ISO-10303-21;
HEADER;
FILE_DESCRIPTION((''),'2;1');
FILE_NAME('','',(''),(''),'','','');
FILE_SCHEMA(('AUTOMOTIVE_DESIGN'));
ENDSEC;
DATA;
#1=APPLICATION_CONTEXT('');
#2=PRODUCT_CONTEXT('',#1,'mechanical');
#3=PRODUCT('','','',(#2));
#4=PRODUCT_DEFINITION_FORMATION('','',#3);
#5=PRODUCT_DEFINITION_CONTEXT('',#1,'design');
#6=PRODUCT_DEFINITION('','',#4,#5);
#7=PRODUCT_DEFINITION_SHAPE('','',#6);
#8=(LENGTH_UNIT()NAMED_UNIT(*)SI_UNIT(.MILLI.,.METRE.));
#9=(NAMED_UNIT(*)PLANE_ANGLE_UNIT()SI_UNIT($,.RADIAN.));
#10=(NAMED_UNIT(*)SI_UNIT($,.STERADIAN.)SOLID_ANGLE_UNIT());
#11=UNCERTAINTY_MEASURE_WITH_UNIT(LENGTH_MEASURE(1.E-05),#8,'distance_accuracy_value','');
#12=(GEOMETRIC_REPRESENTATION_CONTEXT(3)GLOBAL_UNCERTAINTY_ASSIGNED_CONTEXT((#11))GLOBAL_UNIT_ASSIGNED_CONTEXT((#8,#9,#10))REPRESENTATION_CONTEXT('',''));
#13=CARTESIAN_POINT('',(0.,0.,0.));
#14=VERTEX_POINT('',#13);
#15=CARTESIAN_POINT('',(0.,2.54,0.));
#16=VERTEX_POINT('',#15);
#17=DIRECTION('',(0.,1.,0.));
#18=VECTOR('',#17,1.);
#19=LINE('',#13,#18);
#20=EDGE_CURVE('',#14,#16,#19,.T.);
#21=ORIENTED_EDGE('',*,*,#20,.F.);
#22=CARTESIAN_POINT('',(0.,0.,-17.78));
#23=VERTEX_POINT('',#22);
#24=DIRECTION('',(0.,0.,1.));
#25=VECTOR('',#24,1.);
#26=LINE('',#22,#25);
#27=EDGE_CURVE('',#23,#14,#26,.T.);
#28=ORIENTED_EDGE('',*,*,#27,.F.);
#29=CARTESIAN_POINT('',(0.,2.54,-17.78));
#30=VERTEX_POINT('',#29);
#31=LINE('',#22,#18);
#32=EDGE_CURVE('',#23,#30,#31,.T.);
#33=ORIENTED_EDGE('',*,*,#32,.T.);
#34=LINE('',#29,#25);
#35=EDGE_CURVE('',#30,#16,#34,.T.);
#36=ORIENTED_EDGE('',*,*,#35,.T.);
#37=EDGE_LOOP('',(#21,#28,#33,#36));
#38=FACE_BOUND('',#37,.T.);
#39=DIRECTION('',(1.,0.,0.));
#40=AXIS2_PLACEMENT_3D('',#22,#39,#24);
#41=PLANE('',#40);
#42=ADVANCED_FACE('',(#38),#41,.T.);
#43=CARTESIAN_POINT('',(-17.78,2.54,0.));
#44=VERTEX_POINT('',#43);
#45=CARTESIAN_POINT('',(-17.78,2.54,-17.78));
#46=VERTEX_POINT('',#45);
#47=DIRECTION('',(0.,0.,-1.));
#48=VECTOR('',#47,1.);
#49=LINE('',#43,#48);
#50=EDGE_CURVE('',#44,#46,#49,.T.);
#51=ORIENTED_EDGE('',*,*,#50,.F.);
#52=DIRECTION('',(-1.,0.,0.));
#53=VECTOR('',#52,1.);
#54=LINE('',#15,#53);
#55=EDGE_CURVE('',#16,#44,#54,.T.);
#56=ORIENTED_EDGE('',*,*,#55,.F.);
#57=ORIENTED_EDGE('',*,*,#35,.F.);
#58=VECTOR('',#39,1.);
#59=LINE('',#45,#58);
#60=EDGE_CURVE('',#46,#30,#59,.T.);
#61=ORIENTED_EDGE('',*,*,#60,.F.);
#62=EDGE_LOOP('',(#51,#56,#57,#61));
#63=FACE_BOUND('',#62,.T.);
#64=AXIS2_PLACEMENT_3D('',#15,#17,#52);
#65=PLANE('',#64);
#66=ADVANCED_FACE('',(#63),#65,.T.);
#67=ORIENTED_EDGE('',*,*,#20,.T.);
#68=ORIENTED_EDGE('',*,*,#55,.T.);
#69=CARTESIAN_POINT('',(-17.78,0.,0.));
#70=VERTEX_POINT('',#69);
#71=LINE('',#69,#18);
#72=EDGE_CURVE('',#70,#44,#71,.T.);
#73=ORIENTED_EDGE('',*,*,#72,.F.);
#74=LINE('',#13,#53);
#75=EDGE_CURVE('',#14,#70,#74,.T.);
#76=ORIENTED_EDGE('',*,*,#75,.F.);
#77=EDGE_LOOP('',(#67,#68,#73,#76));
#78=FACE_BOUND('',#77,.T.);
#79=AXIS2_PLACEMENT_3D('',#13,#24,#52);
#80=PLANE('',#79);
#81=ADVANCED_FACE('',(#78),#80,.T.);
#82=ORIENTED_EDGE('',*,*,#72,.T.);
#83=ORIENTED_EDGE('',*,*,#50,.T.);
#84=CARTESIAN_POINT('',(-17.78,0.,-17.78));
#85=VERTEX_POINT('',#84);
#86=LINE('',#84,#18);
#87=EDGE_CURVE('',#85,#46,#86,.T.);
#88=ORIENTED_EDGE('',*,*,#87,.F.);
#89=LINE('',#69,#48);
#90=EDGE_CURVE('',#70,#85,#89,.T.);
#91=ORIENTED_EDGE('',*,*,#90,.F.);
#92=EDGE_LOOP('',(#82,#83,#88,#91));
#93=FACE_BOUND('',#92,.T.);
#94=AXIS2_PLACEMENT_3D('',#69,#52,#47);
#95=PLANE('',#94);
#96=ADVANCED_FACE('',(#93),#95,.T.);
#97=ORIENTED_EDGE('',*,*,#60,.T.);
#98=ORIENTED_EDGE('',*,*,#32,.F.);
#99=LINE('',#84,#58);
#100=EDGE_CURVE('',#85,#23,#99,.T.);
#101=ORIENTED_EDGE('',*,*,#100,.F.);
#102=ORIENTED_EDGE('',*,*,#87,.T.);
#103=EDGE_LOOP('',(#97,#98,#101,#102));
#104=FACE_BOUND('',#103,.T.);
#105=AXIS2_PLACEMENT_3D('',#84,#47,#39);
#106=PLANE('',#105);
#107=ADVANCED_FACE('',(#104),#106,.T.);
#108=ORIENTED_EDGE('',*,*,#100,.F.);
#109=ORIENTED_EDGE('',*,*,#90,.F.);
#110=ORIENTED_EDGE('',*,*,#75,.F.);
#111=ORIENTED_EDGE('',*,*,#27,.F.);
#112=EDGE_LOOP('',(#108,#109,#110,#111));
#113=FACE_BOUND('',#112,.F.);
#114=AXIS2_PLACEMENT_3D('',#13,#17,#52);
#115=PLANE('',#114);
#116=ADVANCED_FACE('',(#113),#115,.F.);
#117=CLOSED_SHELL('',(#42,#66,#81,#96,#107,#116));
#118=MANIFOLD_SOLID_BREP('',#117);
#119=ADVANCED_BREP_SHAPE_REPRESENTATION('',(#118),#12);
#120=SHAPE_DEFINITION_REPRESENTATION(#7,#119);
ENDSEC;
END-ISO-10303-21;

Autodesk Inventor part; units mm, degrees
ref_plane "YZ Plane" through (0, 0, 0) normal (1, 0, 0) x (0, 1, 0)
ref_plane "XZ Plane" through (0, 0, 0) normal (0, 1, 0) x (-1, 0, 0)
ref_plane "XY Plane" through (0, 0, 0) normal (0, 0, 1) x (1, 0, 0)
sketch "Sketch1" plane through (0, 0, 0) normal (0, 1, 0) x (-1, 0, 0)
  line L0 (0, 0) -> (17.78, 0)
  line L1 (17.78, 0) -> (17.78, -17.78)
  line L2 (17.78, -17.78) -> (0, -17.78)
  line L3 (0, -17.78) -> (0, 0)
  dimension "d0" = 17.78
  dimension "d1" = 17.78
extrude "Extrusion1" add sketch "Sketch1" along normal blind 2.54
sketch "Sketch2" plane through (0, 2.54, 0) normal (0, 1, 0) x (1, 0, 0)
  line L0 (-14.7493, 12.9832) -> (-3.389, 12.9832) construction
  line L1 (-3.389, 12.9832) -> (-3.389, 3.2458) construction
  line L2 (-3.389, 3.2458) -> (-14.7493, 3.2458) construction
  line L3 (-14.7493, 3.2458) -> (-14.7493, 12.9832) construction
  point P0 (0, 0)
properties part number "5V_step"
